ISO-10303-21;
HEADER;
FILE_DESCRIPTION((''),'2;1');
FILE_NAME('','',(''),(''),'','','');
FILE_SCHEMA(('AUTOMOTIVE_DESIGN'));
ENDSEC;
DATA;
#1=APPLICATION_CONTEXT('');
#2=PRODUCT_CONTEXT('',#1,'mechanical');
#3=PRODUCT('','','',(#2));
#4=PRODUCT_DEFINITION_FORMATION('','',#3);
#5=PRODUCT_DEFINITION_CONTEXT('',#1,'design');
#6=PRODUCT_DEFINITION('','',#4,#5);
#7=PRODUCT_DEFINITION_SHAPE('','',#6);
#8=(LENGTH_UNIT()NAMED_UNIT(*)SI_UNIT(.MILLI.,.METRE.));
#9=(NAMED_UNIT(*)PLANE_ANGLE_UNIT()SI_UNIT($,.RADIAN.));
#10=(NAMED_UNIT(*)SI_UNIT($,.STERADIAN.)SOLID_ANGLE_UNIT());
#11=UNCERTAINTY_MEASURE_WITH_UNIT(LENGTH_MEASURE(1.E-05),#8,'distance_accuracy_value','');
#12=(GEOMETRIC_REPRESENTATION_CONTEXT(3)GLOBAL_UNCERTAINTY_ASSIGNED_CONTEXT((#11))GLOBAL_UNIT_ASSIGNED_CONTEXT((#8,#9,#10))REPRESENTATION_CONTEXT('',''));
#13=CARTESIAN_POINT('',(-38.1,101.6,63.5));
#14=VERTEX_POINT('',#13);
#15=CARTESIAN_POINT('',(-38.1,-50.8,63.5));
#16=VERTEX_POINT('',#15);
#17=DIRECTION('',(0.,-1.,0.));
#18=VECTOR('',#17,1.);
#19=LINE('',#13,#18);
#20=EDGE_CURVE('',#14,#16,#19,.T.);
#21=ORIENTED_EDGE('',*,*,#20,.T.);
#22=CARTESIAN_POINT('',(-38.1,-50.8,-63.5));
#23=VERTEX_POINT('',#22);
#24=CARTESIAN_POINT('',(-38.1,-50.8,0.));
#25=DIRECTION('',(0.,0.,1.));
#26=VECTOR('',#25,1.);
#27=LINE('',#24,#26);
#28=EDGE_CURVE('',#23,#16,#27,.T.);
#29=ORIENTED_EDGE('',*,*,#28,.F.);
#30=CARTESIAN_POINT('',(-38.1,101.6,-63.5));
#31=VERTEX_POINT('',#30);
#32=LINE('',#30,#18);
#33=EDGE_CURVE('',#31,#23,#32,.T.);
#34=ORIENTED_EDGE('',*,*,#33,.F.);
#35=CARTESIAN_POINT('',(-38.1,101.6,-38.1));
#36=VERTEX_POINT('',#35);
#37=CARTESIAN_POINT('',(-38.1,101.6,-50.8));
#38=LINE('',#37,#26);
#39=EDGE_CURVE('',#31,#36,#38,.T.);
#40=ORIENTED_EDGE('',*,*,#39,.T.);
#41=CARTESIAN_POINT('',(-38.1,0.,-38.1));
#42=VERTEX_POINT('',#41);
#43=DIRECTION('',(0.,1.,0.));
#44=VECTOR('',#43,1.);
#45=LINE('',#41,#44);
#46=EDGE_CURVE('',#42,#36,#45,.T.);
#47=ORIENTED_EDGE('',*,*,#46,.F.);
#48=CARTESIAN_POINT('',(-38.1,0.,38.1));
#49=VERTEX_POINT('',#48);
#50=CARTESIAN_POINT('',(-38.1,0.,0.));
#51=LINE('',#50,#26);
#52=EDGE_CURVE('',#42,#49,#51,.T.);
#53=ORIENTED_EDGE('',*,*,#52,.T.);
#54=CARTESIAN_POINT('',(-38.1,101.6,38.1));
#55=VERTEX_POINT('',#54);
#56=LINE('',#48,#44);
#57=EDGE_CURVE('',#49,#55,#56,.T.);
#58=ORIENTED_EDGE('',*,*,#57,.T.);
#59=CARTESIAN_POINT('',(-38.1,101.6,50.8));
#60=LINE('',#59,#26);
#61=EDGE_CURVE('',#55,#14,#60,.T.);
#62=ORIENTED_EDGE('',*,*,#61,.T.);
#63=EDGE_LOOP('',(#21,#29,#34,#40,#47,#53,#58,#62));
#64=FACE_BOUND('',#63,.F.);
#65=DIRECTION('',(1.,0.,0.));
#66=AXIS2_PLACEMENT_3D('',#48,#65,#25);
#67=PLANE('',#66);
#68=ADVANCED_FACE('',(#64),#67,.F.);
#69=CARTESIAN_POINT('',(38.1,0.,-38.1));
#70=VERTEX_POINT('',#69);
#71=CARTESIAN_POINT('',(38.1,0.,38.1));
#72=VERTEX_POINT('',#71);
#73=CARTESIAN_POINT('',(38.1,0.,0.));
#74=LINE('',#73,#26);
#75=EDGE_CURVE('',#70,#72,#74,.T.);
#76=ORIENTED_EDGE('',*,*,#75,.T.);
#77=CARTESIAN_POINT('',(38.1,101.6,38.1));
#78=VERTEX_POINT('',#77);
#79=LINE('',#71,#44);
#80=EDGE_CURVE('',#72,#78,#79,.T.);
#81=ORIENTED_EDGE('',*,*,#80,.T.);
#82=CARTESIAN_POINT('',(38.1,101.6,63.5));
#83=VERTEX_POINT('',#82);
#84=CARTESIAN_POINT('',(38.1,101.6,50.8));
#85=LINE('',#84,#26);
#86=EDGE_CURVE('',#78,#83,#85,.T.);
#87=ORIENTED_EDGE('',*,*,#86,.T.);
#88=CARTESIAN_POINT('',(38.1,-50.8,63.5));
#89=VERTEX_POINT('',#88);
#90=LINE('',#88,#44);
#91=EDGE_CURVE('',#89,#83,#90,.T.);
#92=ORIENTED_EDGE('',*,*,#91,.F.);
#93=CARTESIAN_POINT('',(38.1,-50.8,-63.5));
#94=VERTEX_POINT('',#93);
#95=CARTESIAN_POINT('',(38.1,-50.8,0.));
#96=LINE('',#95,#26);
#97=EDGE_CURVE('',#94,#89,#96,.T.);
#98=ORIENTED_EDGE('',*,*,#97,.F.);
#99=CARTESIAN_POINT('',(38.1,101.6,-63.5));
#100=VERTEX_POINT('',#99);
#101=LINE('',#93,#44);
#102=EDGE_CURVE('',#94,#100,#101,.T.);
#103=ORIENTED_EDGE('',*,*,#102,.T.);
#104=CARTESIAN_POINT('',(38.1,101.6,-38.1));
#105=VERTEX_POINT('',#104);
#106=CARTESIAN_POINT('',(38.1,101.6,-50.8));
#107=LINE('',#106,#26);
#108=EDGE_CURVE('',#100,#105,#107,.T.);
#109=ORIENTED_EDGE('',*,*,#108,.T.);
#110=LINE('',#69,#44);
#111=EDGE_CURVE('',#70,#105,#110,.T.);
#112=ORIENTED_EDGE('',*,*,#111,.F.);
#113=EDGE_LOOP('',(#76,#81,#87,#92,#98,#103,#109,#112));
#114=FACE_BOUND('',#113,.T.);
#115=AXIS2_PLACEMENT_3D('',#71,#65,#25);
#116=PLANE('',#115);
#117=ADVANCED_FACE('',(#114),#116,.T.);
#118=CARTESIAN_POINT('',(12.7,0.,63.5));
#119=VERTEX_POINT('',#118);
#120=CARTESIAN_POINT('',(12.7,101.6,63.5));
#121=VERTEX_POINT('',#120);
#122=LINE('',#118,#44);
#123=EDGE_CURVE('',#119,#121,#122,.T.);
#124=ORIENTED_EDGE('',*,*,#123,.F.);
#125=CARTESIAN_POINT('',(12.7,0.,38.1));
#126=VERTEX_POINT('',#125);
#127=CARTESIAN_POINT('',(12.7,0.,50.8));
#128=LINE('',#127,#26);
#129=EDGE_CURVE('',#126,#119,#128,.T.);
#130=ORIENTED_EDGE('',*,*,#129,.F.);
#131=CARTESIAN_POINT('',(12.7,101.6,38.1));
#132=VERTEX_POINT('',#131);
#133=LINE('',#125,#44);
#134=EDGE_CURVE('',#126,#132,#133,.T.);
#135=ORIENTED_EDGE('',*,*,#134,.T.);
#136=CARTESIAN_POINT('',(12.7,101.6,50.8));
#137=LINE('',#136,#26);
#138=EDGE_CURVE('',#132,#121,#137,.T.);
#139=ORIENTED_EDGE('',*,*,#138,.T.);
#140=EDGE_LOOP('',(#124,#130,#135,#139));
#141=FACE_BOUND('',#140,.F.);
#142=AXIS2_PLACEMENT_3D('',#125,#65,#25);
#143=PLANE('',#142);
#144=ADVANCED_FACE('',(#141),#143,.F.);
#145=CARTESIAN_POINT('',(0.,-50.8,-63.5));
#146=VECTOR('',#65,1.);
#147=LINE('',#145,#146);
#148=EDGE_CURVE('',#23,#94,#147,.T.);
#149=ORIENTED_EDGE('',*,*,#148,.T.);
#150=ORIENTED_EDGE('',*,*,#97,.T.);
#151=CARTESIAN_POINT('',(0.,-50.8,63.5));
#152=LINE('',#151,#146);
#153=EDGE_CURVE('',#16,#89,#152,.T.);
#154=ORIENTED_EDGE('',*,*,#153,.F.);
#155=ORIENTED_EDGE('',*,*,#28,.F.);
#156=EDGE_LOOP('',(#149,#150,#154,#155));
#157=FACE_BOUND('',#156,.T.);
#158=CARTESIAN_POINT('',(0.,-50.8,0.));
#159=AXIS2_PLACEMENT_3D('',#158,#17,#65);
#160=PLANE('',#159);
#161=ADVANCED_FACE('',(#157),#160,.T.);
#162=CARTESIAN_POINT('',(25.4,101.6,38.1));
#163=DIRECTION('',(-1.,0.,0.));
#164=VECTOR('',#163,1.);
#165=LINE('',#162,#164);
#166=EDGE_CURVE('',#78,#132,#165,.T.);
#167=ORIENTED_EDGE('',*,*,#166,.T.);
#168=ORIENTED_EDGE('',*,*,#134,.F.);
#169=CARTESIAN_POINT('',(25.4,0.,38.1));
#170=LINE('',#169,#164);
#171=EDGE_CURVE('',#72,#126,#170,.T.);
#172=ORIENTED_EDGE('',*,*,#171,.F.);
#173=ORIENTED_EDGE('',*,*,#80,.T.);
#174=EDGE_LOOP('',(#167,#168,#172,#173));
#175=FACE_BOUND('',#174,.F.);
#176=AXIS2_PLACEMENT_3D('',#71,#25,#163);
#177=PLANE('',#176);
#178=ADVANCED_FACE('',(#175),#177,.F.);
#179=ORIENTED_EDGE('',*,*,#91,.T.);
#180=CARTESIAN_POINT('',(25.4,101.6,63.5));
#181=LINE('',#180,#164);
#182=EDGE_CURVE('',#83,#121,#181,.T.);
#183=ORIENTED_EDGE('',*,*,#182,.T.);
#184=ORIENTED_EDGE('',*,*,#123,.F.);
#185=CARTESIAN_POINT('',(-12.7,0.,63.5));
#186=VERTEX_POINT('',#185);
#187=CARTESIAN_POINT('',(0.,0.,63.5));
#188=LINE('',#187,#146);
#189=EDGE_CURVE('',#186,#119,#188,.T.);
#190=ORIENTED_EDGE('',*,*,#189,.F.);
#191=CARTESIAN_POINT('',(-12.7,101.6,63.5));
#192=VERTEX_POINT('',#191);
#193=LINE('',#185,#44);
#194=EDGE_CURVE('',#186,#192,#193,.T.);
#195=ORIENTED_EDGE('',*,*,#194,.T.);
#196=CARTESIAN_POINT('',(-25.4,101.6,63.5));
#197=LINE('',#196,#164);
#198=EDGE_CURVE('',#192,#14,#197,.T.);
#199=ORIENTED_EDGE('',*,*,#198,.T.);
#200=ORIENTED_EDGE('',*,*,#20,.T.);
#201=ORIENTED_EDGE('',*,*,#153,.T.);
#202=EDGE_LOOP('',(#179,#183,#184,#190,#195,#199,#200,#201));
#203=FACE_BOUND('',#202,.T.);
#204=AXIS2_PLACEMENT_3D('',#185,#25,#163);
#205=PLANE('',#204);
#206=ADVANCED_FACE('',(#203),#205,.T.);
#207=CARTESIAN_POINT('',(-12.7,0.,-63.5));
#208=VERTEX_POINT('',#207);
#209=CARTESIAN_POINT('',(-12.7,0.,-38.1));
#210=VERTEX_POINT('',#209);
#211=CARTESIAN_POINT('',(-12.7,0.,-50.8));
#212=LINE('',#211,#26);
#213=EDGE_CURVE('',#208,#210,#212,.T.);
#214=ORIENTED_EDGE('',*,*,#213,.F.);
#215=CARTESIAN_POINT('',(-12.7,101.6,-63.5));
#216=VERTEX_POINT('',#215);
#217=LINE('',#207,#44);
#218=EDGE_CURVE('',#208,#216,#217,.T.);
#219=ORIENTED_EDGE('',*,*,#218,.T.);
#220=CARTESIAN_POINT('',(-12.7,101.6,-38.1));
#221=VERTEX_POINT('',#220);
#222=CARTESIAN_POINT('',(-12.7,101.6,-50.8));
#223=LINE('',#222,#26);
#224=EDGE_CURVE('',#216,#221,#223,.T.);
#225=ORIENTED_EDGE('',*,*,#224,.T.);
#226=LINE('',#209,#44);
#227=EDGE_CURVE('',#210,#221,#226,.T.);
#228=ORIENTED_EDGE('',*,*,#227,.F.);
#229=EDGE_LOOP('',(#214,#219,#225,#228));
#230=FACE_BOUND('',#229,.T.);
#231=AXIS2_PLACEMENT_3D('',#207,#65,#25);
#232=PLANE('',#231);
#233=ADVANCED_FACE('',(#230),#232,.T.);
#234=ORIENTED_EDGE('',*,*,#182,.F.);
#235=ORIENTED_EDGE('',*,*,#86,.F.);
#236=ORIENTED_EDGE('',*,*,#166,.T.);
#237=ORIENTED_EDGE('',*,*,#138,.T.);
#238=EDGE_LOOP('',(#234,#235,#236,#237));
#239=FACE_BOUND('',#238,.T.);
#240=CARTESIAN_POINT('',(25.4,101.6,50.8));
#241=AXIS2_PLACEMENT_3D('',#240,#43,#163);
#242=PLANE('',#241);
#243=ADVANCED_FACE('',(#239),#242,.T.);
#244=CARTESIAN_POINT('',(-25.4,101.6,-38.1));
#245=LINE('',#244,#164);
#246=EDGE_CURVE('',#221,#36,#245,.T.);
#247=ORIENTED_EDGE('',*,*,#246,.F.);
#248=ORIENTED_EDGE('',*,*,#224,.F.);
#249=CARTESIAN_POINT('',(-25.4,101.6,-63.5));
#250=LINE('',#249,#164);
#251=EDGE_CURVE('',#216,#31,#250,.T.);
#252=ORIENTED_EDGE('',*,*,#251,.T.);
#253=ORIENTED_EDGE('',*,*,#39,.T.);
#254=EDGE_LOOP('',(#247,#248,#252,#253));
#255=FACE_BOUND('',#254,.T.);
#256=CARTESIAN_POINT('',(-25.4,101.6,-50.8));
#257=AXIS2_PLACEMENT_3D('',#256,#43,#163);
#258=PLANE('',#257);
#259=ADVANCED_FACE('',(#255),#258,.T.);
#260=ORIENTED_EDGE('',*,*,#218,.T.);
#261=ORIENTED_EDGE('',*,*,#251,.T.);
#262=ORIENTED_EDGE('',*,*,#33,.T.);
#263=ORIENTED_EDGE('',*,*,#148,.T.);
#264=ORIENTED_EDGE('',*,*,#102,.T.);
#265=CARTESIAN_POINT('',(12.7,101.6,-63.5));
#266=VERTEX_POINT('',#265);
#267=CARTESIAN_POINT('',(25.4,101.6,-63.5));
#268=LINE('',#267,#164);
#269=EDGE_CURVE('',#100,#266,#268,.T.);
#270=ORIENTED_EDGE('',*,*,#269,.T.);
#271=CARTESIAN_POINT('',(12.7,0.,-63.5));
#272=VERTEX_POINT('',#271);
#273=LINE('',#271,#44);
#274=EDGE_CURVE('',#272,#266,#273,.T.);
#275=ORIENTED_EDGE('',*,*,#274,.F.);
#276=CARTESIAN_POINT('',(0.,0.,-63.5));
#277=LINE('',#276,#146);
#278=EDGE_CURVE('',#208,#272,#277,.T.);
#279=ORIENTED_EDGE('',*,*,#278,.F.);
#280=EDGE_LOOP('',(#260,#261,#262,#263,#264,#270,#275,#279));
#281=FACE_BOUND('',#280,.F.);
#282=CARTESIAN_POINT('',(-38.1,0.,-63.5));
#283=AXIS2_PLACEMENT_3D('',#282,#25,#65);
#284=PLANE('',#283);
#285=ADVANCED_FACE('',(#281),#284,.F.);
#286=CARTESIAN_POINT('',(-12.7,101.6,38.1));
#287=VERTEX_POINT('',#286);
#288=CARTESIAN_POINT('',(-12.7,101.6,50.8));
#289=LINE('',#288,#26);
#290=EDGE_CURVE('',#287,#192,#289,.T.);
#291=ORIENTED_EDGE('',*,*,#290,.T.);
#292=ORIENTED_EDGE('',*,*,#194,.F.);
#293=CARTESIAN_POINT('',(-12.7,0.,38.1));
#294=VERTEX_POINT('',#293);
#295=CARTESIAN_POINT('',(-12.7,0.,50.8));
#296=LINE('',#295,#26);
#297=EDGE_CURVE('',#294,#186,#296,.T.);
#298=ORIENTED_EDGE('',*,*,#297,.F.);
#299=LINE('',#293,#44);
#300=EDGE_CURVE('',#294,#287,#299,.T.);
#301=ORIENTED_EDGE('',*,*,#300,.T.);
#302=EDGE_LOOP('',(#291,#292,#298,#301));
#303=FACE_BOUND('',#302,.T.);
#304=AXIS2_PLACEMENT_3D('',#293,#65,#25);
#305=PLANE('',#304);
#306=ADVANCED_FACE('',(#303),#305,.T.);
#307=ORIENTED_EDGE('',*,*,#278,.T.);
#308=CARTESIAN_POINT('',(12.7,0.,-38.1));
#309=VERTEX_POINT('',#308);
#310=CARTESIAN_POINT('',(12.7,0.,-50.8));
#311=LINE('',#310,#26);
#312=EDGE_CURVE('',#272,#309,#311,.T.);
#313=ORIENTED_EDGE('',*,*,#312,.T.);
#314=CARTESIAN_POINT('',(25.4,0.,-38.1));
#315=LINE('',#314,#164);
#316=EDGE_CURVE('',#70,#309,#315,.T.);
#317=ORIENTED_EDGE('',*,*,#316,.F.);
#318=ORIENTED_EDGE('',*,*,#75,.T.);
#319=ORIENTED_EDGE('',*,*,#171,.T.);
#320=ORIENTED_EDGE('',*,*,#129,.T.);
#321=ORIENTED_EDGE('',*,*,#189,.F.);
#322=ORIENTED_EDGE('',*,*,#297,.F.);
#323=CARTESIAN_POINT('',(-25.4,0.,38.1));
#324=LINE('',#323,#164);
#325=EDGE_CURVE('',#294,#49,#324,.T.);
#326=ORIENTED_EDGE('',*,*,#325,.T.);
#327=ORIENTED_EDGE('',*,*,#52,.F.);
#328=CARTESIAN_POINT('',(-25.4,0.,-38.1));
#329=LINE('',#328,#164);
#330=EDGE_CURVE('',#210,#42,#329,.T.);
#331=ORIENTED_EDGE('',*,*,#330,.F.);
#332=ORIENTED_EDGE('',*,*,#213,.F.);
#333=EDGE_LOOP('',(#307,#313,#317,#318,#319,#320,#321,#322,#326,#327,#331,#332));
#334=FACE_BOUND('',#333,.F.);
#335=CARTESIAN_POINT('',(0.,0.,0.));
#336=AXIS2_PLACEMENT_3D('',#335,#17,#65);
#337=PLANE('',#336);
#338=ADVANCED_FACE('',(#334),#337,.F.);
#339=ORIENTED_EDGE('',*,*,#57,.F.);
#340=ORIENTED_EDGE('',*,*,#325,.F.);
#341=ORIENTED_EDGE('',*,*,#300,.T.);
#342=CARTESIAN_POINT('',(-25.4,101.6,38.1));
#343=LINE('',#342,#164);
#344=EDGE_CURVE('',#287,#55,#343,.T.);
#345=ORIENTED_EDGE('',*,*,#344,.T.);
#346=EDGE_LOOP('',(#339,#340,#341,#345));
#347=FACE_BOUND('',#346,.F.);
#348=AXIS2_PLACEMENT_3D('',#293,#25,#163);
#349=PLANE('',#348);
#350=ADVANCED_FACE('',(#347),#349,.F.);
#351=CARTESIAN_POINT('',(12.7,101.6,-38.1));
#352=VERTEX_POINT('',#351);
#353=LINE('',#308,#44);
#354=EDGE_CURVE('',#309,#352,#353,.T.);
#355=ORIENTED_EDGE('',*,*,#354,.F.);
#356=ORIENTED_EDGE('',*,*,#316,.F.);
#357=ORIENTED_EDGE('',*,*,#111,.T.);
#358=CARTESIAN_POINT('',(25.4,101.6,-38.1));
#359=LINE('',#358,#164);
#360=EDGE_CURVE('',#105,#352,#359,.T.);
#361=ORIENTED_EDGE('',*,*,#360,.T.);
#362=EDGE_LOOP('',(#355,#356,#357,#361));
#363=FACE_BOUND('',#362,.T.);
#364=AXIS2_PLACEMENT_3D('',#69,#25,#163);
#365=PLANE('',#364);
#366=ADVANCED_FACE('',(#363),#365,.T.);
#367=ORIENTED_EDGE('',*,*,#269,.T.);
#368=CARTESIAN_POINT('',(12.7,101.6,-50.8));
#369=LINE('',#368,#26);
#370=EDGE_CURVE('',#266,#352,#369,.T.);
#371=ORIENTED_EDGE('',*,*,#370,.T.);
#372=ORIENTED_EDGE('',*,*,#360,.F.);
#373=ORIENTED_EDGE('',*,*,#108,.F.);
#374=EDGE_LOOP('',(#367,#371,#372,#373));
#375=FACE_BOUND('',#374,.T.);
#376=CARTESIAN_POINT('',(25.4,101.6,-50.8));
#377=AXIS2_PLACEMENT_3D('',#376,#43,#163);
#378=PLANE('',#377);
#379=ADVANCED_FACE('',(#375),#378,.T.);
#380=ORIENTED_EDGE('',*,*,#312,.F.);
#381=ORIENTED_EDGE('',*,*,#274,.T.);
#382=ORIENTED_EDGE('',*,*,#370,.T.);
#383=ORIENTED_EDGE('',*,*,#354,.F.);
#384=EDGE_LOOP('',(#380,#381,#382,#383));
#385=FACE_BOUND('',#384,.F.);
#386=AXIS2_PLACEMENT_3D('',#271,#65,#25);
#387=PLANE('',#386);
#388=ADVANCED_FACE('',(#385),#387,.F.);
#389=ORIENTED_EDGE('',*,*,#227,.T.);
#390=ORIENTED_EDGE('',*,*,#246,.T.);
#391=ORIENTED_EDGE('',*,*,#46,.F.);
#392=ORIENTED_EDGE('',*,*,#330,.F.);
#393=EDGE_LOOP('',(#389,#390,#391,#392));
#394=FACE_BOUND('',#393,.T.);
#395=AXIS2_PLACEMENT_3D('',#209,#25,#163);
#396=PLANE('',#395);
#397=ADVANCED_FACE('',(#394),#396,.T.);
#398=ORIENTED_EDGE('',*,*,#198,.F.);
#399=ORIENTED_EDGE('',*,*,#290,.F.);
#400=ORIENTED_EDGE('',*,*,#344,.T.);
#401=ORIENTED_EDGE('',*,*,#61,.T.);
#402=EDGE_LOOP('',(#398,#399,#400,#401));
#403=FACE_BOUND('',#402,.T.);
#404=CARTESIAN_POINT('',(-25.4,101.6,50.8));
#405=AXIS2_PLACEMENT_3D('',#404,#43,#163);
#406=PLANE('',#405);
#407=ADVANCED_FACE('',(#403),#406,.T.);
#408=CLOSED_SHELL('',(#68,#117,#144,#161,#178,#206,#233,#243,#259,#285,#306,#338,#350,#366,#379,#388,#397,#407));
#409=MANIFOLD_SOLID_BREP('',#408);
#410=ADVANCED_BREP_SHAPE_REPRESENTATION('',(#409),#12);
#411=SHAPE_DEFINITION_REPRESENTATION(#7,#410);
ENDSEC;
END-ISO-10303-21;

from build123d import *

# Parameters (mm, degrees)
F0_W     = 76.2
F0_H     = 127
F1_DEPTH = 50.8
F2_W     = 25.4
F2_H     = 25.4
F3_DEPTH = 101.6
F4_DEPTH = 101.6


with BuildPart() as f1:
    # F0 (on Front) → F1 (new body)
    with BuildSketch(Plane.XZ):
        Rectangle(F0_W, F0_H)
    extrude(amount=F1_DEPTH)

    # F2 (on face) → F3 (join)
    with BuildSketch(Plane(origin=(0, 0, 0), x_dir=(-1, 0, 0), z_dir=(0, 1, 0))):
        with Locations((-25.4, 50.8)):
            Rectangle(F2_W, F2_H)
    extrude(amount=F3_DEPTH)

    # F2 (on face) → F4 (join)
    with BuildSketch(Plane(origin=(0, 0, 0), x_dir=(-1, 0, 0), z_dir=(0, 1, 0))):
        with Locations((25.4, 50.8)):
            Rectangle(F2_W, F2_H)
        with Locations((-25.4, 50.8)):
            Rectangle(F2_W, F2_H)
        with Locations((25.4, -50.8)):
            Rectangle(F2_W, F2_H)
        with Locations((-25.4, -50.8)):
            Rectangle(F2_W, F2_H)
    extrude(amount=F4_DEPTH)


solid = f1.part
